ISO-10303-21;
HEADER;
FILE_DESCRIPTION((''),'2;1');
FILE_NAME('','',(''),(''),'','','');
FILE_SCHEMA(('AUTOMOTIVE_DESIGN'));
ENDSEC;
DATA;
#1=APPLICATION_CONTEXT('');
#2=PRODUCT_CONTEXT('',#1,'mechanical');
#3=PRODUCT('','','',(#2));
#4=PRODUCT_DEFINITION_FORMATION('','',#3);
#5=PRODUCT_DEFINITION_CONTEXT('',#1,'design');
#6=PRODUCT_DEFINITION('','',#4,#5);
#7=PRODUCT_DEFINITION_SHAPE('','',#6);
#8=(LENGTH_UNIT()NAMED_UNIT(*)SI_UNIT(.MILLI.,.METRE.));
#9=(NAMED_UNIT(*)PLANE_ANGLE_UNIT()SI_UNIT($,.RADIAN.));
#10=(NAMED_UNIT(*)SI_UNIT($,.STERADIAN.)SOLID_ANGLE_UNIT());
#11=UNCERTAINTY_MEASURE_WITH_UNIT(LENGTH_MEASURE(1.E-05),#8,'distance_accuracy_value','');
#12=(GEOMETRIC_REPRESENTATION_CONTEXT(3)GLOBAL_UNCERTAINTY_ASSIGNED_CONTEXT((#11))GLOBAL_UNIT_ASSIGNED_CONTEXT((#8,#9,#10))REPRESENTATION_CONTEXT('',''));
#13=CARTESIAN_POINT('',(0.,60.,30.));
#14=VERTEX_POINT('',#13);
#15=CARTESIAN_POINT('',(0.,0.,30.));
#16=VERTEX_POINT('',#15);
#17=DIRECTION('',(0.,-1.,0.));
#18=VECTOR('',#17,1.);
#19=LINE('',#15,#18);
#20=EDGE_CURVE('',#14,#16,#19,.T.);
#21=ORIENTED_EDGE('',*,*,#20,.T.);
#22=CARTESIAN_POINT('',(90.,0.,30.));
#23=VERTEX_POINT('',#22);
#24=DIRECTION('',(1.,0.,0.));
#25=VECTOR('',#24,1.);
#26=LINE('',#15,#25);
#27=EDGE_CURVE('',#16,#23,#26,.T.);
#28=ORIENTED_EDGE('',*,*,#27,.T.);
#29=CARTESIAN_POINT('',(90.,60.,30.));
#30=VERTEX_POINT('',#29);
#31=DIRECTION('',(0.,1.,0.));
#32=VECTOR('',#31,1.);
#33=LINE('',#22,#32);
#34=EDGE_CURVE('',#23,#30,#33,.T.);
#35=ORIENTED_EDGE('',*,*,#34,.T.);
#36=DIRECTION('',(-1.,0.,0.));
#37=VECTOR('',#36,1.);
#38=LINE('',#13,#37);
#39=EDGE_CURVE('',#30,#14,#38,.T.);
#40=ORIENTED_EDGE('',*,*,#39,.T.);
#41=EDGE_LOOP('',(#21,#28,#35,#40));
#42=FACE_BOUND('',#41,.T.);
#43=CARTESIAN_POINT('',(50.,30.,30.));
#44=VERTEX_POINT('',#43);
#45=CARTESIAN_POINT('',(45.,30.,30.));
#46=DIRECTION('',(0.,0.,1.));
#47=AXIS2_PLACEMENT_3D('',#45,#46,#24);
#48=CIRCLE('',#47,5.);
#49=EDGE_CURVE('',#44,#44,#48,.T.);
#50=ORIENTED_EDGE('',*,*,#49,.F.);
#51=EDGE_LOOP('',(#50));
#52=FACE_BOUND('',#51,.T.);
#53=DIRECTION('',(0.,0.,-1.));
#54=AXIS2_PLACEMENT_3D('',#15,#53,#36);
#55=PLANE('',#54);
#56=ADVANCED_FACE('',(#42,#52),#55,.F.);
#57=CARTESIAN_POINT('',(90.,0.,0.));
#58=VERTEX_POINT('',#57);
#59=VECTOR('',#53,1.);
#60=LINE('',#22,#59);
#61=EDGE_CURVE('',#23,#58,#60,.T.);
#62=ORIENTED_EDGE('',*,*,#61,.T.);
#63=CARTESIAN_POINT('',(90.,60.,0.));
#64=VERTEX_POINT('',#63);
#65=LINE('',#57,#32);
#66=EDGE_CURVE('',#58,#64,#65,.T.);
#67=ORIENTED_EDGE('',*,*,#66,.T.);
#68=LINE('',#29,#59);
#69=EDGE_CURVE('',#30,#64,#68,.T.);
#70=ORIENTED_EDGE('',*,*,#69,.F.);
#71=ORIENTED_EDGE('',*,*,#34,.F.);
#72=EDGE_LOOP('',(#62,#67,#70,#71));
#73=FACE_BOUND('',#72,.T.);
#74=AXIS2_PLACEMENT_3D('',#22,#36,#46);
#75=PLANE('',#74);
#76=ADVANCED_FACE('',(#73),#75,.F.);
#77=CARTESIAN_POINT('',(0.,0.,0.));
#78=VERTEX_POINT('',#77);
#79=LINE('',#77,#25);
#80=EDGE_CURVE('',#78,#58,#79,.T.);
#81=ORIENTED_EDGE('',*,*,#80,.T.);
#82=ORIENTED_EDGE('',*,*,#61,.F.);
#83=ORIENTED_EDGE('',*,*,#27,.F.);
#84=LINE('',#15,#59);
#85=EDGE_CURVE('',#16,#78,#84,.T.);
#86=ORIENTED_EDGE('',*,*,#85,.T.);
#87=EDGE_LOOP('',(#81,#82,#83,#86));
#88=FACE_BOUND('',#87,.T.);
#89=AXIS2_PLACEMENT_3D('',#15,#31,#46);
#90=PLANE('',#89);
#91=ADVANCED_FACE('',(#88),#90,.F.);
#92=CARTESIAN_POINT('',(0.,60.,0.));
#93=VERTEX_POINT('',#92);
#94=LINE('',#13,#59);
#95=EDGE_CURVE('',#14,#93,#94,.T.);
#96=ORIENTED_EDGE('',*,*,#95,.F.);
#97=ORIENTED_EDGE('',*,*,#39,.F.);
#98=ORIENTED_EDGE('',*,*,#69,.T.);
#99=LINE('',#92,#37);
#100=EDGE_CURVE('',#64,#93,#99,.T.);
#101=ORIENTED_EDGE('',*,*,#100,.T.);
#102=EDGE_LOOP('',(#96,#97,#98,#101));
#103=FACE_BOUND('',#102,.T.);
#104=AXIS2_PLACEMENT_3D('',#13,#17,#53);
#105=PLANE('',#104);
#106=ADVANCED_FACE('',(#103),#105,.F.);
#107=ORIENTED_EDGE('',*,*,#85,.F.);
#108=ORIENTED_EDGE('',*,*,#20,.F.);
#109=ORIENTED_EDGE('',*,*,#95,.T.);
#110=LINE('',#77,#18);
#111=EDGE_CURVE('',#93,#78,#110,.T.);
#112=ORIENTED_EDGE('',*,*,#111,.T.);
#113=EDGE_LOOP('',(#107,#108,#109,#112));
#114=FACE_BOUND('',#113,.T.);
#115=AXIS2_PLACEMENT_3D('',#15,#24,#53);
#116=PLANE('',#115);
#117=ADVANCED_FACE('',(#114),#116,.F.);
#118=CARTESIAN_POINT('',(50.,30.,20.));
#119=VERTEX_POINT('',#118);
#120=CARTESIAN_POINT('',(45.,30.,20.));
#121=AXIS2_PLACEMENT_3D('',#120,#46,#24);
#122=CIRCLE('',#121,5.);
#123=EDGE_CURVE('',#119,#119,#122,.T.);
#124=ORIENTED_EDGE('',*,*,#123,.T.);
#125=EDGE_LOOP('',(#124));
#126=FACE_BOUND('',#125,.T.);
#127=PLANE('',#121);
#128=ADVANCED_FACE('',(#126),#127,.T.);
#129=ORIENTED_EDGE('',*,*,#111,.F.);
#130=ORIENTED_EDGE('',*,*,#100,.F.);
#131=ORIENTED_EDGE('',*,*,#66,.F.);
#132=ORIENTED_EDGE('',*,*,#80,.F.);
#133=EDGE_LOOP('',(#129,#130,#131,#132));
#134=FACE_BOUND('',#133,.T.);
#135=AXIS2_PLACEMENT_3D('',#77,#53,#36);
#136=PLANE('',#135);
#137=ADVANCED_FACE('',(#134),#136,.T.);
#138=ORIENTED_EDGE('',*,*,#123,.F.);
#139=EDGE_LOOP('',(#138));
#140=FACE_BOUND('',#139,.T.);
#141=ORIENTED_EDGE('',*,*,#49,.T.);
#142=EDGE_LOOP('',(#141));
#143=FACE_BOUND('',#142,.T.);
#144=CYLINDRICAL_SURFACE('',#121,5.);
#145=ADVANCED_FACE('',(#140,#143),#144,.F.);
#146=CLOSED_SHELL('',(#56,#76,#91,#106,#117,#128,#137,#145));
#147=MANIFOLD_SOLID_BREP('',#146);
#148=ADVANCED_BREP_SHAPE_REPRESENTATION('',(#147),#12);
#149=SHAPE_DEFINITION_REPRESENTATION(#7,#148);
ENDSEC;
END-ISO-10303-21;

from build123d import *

# Parameters (mm, degrees)
SKETCH1_W           = 90
SKETCH1_H           = 60
BOSS_EXTRUDE1_DEPTH = 30
SKETCH2_R           = 5
CUT_EXTRUDE1_DEPTH  = 10


with BuildPart() as part:
    # Sketch1 → Boss-Extrude1 (new body)
    with BuildSketch(Plane.XY):
        with Locations((45, 30)):
            Rectangle(SKETCH1_W, SKETCH1_H)
    extrude(amount=BOSS_EXTRUDE1_DEPTH)

    # Sketch2 → Cut-Extrude1 (cut)
    with BuildSketch(Plane.XY.offset(30)):
        with Locations((45, 30)):
            Circle(SKETCH2_R)
    extrude(amount=-CUT_EXTRUDE1_DEPTH, mode=Mode.SUBTRACT)


solid = part.part
